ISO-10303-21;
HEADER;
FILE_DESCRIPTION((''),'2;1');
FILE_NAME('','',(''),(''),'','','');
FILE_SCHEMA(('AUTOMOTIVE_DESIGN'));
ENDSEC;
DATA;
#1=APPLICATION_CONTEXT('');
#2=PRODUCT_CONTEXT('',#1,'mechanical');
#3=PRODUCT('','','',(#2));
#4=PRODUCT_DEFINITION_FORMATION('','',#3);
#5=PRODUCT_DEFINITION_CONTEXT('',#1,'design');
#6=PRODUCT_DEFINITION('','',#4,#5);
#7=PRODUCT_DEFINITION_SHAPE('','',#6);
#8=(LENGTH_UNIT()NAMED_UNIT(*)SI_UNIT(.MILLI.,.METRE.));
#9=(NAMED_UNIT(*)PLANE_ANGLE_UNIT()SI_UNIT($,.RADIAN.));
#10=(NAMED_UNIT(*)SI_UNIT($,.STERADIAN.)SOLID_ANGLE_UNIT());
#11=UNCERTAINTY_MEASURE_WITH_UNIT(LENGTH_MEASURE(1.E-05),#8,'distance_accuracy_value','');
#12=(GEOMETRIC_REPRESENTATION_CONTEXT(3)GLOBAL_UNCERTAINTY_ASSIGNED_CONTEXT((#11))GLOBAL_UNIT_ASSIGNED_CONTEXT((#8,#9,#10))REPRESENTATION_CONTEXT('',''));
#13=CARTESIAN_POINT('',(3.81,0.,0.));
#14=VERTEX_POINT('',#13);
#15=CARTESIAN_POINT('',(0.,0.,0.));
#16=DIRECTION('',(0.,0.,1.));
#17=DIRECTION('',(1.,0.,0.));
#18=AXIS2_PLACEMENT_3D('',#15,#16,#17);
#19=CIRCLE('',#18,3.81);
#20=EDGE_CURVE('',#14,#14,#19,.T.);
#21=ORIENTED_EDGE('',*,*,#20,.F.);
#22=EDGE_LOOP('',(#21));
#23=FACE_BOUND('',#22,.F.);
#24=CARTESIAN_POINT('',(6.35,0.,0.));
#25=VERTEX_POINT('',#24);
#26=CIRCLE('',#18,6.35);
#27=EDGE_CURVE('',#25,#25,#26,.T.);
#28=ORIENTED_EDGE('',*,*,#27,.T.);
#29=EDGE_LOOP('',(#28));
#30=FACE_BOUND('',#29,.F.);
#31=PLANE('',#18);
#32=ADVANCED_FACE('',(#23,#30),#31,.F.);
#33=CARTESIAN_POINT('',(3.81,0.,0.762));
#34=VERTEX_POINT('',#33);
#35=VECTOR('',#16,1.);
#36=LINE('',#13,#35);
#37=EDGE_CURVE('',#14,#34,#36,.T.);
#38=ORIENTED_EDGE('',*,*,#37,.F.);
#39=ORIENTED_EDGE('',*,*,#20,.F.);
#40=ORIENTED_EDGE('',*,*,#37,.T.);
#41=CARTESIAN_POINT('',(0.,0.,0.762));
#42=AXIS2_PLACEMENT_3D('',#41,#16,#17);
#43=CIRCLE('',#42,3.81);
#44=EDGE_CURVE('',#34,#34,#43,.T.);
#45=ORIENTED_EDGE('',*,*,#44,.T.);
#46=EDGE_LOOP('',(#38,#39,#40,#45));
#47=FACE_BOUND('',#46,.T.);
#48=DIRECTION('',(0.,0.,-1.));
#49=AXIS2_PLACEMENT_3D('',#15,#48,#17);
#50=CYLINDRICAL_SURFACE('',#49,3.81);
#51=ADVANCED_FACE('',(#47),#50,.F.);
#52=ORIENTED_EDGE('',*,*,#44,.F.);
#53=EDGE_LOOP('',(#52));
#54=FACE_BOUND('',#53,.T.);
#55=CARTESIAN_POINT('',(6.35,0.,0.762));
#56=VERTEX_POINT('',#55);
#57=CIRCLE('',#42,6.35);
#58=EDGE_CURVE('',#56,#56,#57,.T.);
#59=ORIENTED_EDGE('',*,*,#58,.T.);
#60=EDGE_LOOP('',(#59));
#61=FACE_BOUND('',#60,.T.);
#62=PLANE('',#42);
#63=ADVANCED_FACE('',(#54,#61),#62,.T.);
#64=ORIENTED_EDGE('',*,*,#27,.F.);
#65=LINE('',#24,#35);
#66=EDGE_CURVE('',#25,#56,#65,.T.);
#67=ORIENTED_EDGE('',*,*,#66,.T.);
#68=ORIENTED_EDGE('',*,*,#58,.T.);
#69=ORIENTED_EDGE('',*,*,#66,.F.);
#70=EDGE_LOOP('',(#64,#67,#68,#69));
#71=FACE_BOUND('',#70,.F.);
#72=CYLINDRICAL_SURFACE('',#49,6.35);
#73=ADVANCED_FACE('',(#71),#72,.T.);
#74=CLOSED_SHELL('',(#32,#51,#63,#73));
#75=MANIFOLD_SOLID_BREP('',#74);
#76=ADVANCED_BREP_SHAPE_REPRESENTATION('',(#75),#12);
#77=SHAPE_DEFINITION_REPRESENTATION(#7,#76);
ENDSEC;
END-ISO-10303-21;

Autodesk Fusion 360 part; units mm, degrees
sketch "Sketch1" plane through (0, 0, 0) normal (0, 0, 1) x (1, 0, 0)
  circle A0 centre (0, 0) radius 6.35
  circle A1 centre (0, 0) radius 3.81
  dimension "d1" = 12.7
  dimension "d2" = 7.62
extrude "Extrude1" add sketch "Sketch1" along normal blind 0.762
